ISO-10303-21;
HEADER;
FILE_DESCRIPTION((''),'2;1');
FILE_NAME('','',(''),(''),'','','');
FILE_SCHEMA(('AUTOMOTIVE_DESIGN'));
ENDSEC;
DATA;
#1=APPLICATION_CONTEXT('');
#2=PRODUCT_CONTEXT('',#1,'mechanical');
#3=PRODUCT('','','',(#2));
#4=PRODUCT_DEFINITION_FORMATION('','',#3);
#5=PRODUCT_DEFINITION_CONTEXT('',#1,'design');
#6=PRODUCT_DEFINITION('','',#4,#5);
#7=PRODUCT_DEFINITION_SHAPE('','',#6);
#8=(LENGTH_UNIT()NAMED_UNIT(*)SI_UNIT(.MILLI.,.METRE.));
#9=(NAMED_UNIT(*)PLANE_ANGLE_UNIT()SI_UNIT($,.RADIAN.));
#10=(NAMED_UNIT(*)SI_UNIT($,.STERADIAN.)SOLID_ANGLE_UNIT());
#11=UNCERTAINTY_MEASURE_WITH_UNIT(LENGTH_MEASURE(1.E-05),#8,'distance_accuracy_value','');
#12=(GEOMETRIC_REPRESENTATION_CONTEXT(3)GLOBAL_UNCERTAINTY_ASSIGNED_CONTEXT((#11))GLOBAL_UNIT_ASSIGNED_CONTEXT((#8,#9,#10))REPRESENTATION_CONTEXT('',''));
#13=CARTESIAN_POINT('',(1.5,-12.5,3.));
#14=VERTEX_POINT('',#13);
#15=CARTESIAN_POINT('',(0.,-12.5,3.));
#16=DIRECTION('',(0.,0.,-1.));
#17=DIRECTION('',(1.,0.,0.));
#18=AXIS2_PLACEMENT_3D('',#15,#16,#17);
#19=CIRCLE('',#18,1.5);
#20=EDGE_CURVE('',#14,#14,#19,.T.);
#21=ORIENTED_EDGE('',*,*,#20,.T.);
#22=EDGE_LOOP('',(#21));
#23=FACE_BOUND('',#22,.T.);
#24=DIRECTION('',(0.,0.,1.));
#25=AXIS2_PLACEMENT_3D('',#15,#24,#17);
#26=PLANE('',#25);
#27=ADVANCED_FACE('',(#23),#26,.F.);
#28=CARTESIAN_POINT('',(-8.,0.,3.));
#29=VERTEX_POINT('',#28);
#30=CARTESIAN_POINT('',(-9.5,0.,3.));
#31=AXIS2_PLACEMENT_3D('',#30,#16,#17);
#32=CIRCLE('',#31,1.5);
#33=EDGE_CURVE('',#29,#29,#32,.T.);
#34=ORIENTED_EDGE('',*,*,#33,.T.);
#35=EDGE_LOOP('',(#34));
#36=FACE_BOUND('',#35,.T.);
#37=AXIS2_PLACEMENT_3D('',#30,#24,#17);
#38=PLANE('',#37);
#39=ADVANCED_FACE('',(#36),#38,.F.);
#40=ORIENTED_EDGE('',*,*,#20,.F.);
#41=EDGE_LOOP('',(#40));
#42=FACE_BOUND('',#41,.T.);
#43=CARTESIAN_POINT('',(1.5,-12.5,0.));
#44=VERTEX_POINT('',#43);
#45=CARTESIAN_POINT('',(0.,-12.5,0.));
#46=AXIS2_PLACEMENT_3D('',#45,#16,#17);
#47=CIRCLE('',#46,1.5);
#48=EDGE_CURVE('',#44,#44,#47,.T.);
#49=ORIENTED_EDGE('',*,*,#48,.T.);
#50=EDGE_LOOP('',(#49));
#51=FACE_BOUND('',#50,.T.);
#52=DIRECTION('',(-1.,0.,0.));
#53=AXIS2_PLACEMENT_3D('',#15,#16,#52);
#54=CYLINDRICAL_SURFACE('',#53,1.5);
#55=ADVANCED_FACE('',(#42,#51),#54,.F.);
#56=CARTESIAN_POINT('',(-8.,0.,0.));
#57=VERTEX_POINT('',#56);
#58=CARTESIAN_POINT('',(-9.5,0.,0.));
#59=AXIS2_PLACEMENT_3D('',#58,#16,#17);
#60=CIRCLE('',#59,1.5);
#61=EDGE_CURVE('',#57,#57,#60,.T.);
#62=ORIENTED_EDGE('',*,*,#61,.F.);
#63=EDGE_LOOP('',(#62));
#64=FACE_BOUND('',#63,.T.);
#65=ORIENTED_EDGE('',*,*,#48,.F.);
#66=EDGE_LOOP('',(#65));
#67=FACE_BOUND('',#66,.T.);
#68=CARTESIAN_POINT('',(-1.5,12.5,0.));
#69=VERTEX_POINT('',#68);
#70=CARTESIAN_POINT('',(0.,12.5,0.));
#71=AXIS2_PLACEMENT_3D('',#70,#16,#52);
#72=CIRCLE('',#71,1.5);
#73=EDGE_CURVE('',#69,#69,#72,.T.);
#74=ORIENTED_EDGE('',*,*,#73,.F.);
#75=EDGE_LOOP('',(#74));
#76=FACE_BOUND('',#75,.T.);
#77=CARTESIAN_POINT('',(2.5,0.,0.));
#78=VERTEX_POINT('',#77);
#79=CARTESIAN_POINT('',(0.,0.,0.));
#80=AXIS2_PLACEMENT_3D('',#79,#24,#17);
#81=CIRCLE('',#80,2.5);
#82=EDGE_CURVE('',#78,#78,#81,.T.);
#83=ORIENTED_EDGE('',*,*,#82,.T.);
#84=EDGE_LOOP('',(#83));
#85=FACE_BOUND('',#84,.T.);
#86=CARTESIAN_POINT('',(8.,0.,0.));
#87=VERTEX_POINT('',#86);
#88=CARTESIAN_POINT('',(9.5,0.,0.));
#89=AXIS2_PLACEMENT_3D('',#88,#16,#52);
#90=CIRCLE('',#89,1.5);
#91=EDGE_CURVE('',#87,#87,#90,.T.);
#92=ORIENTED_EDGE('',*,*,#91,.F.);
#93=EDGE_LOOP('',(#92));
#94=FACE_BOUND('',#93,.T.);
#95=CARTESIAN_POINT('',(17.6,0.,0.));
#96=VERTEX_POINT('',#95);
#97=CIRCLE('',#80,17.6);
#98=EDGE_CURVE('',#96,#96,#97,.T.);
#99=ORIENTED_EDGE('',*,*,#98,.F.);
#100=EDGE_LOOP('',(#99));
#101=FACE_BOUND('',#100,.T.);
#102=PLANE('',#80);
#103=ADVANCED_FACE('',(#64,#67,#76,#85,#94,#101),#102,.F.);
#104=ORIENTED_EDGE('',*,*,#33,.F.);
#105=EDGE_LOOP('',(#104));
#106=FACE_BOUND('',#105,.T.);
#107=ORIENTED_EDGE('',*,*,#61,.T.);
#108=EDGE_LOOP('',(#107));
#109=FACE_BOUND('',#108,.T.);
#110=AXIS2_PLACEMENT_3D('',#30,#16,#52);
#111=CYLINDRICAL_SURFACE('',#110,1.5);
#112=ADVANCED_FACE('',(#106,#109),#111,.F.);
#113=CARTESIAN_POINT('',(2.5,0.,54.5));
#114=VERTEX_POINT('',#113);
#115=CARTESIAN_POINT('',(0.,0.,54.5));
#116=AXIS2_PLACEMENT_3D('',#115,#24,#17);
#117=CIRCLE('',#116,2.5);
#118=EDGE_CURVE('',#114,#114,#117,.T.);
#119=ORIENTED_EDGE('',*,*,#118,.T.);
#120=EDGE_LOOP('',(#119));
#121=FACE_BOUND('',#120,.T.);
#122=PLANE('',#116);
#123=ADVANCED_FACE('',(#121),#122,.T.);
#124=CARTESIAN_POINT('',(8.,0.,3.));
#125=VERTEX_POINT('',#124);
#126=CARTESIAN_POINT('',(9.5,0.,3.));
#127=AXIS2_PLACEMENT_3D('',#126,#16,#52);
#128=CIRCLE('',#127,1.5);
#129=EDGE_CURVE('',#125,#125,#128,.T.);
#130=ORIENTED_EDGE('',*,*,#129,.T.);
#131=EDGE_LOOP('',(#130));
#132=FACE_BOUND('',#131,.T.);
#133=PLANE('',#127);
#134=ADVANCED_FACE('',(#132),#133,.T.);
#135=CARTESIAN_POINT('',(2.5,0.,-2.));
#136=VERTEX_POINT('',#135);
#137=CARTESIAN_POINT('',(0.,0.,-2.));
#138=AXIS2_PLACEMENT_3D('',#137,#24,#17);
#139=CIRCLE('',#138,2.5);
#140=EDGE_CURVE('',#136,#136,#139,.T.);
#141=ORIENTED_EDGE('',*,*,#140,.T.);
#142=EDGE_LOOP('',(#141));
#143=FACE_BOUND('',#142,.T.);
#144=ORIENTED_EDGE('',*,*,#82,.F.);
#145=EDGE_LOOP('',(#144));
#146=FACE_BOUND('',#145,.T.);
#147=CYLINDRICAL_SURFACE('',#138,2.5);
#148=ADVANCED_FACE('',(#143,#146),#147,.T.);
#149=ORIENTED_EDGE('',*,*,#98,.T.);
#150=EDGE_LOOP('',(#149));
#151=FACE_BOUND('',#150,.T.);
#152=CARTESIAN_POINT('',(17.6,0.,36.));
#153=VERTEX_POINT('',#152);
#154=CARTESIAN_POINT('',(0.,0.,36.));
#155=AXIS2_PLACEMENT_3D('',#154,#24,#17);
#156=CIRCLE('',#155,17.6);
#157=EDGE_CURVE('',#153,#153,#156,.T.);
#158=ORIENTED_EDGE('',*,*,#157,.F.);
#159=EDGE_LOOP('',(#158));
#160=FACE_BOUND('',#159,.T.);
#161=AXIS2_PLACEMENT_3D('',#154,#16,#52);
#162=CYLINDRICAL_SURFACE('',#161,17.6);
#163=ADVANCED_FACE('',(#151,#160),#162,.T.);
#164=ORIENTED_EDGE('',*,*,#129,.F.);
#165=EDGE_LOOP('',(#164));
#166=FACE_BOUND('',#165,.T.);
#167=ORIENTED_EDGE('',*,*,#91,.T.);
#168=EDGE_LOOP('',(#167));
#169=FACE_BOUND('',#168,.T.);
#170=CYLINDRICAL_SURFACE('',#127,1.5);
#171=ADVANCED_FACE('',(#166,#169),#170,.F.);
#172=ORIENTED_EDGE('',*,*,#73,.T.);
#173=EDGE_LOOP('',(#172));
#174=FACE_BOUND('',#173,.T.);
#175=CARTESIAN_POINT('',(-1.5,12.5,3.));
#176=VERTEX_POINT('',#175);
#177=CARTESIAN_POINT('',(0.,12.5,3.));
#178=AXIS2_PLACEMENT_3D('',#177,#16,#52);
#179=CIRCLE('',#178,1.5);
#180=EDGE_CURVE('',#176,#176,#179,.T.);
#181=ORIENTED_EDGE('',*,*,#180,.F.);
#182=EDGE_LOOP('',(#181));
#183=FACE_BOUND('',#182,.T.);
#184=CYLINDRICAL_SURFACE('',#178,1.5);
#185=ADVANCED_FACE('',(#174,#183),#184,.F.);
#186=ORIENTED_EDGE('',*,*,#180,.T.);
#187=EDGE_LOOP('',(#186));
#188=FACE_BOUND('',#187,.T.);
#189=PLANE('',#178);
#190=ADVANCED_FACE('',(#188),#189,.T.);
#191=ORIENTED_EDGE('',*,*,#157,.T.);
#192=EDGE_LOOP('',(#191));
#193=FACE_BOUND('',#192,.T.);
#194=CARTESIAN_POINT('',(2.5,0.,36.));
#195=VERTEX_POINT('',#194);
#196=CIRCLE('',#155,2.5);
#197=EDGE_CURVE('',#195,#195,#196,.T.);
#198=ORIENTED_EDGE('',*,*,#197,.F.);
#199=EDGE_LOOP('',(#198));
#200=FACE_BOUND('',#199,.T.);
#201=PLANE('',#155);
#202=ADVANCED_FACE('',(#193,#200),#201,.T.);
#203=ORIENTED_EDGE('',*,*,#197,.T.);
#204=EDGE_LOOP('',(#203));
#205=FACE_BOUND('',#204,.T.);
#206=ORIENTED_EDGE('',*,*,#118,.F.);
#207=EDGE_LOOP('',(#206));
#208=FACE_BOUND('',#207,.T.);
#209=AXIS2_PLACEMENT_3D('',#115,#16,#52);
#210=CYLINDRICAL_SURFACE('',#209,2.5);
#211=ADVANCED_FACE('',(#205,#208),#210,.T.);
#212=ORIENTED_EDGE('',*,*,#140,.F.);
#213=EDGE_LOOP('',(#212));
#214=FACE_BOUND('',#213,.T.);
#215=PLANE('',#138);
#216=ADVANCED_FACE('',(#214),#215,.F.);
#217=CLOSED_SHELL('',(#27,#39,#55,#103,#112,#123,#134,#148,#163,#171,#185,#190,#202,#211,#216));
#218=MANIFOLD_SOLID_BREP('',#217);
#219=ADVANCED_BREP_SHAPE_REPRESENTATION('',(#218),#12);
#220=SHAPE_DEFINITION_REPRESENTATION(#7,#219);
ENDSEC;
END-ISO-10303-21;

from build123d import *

# Parameters (mm, degrees)
SKETCH_1_R          = 17.6
SKETCH_1_R_2        = 2.5
EXTRUDE_1_DEPTH     = 36
EXTRUDE_START       = -2
SKETCH_1_4_R        = 2.5
EXTRUDE_2_DEPTH     = 2
EXTRUDE_START_2     = 36
SKETCH_1_5_R        = 2.5
EXTRUDE_3_DEPTH     = 18.5
SKETCH_2_R          = 1.5
CUT_EXTRUDE_1_DEPTH = 3


with BuildPart() as part:
    # Эскиз1 → Бобышка-Вытянуть1 (new body)
    # profile 1 of 2: a face of its own
    with BuildSketch(Plane.XY):
        Circle(SKETCH_1_R)
        Circle(SKETCH_1_R_2, mode=Mode.SUBTRACT)
    # profile 2 of 2: a face of its own
    with BuildSketch(Plane.XY):
        Circle(SKETCH_1_R_2)
    extrude(amount=EXTRUDE_1_DEPTH)

    # Эскиз1<4> → Бобышка-Вытянуть2 (add)
    with BuildSketch(Plane.XY.offset(EXTRUDE_START)):
        Circle(SKETCH_1_4_R)
    extrude(amount=EXTRUDE_2_DEPTH)

    # Эскиз1<5> → Бобышка-Вытянуть3 (add)
    with BuildSketch(Plane.XY.offset(EXTRUDE_START_2)):
        Circle(SKETCH_1_5_R)
    extrude(amount=EXTRUDE_3_DEPTH)

    # Эскиз2 → Вырез-Вытянуть1 (cut)
    with BuildSketch(Plane(origin=(0, 0, 0), x_dir=(-1, 0, 0), z_dir=(0, 0, -1))):
        with Locations((0, 12.5)):
            Circle(SKETCH_2_R)
        with Locations((-9.5, 0)):
            Circle(SKETCH_2_R)
        with Locations(Location((0, -12.5, 0), (0, 0, 180))):
            Circle(SKETCH_2_R)
        with Locations(Location((9.5, 0, 0), (0, 0, 180))):
            Circle(SKETCH_2_R)
    extrude(amount=-CUT_EXTRUDE_1_DEPTH, mode=Mode.SUBTRACT)


solid = part.part
